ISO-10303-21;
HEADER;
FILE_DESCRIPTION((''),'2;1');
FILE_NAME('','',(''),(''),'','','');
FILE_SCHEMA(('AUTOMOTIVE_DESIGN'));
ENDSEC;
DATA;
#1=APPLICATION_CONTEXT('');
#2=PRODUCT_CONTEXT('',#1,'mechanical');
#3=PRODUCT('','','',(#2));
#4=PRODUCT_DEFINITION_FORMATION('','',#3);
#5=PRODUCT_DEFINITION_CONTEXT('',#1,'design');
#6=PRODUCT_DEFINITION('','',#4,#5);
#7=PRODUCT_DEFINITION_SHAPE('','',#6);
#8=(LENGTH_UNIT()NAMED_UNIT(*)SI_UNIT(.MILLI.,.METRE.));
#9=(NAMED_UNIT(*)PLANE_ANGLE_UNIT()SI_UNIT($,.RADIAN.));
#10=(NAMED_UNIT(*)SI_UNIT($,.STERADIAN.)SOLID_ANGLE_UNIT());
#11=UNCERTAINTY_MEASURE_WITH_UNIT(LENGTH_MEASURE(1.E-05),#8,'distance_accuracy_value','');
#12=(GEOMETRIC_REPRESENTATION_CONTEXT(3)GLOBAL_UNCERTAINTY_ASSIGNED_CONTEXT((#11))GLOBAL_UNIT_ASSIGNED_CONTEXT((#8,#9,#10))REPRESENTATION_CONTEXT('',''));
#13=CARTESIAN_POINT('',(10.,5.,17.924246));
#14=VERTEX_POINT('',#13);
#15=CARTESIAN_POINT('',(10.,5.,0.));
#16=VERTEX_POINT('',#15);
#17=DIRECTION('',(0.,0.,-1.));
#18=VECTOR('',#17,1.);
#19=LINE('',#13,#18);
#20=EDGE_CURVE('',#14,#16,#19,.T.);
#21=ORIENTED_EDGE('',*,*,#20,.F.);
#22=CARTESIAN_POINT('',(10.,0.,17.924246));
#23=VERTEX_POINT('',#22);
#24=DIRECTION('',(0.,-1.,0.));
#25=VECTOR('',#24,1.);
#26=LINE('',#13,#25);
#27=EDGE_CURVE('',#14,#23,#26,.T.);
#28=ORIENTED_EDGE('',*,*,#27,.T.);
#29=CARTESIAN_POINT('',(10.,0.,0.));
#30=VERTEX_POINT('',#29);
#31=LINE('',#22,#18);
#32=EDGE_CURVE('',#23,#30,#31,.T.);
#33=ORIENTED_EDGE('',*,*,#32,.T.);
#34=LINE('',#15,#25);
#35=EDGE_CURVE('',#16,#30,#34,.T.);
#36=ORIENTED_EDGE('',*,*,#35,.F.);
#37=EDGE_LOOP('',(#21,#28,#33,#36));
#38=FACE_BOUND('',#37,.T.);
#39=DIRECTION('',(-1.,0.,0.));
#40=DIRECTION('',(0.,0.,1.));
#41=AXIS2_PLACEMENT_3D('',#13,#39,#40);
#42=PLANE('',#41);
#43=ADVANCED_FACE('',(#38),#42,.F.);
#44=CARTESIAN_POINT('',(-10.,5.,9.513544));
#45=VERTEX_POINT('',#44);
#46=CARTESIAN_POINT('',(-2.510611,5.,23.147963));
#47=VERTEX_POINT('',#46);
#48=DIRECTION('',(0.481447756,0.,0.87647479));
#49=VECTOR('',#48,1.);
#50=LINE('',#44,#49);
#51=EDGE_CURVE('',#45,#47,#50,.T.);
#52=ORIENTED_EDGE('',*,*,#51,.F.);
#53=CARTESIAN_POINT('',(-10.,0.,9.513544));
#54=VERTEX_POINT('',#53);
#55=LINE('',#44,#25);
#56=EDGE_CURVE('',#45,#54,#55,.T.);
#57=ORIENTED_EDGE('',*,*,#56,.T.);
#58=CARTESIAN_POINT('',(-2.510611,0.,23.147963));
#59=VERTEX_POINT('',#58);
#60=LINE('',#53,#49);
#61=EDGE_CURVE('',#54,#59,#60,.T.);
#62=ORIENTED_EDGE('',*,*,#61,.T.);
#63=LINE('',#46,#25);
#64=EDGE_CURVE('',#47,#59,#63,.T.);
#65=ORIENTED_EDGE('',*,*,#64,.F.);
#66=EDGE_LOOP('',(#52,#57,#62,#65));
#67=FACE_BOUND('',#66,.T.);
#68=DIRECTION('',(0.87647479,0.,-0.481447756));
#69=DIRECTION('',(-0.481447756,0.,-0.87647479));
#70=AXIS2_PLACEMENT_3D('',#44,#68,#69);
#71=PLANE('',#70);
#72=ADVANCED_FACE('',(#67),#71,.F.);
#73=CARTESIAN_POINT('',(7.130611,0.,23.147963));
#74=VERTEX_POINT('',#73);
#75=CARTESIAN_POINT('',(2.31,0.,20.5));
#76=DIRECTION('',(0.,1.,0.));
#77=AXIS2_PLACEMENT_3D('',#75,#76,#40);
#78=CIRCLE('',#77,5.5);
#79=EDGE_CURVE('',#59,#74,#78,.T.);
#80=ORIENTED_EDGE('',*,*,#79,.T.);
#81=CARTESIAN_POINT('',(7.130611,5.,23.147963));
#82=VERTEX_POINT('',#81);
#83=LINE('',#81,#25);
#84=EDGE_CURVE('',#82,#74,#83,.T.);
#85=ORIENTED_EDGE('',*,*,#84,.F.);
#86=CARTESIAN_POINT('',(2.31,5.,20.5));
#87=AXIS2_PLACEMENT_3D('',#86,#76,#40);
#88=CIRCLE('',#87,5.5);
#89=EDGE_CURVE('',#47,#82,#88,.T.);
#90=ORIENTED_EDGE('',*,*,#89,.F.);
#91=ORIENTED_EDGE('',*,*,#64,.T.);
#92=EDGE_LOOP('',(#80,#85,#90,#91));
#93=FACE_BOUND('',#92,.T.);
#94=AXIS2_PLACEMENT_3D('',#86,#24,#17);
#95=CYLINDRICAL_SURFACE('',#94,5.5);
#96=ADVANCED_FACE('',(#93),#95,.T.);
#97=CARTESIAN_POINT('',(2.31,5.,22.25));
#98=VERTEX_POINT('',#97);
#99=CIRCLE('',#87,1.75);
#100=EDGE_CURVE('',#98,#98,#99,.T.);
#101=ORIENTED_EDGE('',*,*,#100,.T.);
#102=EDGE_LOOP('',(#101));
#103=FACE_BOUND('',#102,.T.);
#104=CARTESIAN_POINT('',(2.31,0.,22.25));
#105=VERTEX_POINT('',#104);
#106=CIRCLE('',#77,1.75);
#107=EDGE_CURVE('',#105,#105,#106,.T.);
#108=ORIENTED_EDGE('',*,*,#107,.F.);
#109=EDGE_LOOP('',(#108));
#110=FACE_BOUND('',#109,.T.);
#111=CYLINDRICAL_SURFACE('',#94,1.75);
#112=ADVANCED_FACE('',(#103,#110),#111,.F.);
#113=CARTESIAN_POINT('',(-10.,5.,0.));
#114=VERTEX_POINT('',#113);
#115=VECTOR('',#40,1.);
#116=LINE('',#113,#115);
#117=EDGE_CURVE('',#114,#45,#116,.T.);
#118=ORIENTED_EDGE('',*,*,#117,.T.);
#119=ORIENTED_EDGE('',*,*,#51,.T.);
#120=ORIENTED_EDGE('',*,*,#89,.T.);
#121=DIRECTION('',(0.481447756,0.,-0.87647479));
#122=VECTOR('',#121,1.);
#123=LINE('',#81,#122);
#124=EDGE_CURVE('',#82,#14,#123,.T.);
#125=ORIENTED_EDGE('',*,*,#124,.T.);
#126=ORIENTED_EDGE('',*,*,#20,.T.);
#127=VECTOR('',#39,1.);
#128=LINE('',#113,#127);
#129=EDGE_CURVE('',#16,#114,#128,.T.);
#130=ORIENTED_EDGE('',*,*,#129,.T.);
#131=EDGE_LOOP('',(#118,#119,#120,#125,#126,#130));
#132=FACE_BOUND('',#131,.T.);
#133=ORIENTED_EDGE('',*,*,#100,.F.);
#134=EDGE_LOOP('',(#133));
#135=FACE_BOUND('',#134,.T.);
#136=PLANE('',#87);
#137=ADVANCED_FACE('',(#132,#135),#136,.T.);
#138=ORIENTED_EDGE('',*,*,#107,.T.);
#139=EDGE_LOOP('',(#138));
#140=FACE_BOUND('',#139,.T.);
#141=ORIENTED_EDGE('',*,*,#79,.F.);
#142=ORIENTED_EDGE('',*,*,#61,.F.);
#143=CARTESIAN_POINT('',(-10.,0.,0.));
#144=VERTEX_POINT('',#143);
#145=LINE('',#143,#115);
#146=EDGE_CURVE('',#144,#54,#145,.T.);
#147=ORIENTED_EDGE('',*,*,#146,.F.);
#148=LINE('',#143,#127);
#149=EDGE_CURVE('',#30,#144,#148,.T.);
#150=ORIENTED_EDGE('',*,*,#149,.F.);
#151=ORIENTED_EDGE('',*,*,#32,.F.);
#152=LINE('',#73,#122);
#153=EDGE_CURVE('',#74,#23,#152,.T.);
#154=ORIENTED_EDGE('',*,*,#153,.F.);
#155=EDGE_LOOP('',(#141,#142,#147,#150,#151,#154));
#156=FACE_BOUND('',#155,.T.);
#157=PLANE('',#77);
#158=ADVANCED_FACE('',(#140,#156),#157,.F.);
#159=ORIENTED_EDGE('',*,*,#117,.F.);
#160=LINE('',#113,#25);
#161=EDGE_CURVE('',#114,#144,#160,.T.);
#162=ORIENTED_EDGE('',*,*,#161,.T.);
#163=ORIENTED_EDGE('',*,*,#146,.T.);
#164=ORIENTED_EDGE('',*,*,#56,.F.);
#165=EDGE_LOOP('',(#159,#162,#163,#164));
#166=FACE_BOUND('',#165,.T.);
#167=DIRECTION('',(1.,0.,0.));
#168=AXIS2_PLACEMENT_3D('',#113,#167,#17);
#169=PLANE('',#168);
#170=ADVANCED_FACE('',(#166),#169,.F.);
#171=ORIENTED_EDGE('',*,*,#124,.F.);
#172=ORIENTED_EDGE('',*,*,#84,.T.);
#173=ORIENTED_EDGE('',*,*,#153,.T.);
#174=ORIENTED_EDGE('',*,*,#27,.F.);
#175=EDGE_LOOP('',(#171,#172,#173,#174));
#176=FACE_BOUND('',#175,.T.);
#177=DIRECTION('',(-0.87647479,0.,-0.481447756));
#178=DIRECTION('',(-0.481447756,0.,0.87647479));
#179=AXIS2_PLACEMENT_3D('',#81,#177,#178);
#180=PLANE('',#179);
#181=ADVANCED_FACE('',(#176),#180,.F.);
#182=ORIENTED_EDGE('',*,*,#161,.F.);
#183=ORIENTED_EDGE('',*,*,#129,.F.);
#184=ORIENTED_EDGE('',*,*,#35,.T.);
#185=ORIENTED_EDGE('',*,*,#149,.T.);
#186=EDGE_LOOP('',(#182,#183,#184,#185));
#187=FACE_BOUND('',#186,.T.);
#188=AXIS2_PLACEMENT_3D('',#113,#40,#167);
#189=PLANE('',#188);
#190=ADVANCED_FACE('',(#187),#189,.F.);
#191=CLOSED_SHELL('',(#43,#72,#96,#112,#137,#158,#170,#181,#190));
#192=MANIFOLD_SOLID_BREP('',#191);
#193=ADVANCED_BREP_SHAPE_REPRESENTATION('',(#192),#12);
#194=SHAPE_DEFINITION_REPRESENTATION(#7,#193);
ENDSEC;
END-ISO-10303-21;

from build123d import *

# Parameters (mm, degrees)
SKETCH1_R           = 1.75
BOSS_EXTRUDE1_DEPTH = 5


with BuildPart() as part:
    # Sketch1 → Boss-Extrude1 (new body)
    with BuildSketch(Plane(origin=(0, 0, 0), x_dir=(1, 0, 0), z_dir=(0, 1, 0))):
        with BuildLine():
            Line((-10, 0), (10, 0))
            Line((10, 0), (10, -17.924245678))
            Line((10, -17.924245678), (7.130611347, -23.147962658))
            ThreePointArc((7.130611347, -23.147962658), (2.31, -26), (-2.510611347, -23.147962658))
            Line((-2.510611347, -23.147962658), (-10, -9.513543829))
            Line((-10, -9.513543829), (-10, 0))
        make_face()
        with Locations(Location((2.31, -20.5, 0), (0, 0, 270))):
            Circle(SKETCH1_R, mode=Mode.SUBTRACT)
    extrude(amount=BOSS_EXTRUDE1_DEPTH)


solid = part.part
